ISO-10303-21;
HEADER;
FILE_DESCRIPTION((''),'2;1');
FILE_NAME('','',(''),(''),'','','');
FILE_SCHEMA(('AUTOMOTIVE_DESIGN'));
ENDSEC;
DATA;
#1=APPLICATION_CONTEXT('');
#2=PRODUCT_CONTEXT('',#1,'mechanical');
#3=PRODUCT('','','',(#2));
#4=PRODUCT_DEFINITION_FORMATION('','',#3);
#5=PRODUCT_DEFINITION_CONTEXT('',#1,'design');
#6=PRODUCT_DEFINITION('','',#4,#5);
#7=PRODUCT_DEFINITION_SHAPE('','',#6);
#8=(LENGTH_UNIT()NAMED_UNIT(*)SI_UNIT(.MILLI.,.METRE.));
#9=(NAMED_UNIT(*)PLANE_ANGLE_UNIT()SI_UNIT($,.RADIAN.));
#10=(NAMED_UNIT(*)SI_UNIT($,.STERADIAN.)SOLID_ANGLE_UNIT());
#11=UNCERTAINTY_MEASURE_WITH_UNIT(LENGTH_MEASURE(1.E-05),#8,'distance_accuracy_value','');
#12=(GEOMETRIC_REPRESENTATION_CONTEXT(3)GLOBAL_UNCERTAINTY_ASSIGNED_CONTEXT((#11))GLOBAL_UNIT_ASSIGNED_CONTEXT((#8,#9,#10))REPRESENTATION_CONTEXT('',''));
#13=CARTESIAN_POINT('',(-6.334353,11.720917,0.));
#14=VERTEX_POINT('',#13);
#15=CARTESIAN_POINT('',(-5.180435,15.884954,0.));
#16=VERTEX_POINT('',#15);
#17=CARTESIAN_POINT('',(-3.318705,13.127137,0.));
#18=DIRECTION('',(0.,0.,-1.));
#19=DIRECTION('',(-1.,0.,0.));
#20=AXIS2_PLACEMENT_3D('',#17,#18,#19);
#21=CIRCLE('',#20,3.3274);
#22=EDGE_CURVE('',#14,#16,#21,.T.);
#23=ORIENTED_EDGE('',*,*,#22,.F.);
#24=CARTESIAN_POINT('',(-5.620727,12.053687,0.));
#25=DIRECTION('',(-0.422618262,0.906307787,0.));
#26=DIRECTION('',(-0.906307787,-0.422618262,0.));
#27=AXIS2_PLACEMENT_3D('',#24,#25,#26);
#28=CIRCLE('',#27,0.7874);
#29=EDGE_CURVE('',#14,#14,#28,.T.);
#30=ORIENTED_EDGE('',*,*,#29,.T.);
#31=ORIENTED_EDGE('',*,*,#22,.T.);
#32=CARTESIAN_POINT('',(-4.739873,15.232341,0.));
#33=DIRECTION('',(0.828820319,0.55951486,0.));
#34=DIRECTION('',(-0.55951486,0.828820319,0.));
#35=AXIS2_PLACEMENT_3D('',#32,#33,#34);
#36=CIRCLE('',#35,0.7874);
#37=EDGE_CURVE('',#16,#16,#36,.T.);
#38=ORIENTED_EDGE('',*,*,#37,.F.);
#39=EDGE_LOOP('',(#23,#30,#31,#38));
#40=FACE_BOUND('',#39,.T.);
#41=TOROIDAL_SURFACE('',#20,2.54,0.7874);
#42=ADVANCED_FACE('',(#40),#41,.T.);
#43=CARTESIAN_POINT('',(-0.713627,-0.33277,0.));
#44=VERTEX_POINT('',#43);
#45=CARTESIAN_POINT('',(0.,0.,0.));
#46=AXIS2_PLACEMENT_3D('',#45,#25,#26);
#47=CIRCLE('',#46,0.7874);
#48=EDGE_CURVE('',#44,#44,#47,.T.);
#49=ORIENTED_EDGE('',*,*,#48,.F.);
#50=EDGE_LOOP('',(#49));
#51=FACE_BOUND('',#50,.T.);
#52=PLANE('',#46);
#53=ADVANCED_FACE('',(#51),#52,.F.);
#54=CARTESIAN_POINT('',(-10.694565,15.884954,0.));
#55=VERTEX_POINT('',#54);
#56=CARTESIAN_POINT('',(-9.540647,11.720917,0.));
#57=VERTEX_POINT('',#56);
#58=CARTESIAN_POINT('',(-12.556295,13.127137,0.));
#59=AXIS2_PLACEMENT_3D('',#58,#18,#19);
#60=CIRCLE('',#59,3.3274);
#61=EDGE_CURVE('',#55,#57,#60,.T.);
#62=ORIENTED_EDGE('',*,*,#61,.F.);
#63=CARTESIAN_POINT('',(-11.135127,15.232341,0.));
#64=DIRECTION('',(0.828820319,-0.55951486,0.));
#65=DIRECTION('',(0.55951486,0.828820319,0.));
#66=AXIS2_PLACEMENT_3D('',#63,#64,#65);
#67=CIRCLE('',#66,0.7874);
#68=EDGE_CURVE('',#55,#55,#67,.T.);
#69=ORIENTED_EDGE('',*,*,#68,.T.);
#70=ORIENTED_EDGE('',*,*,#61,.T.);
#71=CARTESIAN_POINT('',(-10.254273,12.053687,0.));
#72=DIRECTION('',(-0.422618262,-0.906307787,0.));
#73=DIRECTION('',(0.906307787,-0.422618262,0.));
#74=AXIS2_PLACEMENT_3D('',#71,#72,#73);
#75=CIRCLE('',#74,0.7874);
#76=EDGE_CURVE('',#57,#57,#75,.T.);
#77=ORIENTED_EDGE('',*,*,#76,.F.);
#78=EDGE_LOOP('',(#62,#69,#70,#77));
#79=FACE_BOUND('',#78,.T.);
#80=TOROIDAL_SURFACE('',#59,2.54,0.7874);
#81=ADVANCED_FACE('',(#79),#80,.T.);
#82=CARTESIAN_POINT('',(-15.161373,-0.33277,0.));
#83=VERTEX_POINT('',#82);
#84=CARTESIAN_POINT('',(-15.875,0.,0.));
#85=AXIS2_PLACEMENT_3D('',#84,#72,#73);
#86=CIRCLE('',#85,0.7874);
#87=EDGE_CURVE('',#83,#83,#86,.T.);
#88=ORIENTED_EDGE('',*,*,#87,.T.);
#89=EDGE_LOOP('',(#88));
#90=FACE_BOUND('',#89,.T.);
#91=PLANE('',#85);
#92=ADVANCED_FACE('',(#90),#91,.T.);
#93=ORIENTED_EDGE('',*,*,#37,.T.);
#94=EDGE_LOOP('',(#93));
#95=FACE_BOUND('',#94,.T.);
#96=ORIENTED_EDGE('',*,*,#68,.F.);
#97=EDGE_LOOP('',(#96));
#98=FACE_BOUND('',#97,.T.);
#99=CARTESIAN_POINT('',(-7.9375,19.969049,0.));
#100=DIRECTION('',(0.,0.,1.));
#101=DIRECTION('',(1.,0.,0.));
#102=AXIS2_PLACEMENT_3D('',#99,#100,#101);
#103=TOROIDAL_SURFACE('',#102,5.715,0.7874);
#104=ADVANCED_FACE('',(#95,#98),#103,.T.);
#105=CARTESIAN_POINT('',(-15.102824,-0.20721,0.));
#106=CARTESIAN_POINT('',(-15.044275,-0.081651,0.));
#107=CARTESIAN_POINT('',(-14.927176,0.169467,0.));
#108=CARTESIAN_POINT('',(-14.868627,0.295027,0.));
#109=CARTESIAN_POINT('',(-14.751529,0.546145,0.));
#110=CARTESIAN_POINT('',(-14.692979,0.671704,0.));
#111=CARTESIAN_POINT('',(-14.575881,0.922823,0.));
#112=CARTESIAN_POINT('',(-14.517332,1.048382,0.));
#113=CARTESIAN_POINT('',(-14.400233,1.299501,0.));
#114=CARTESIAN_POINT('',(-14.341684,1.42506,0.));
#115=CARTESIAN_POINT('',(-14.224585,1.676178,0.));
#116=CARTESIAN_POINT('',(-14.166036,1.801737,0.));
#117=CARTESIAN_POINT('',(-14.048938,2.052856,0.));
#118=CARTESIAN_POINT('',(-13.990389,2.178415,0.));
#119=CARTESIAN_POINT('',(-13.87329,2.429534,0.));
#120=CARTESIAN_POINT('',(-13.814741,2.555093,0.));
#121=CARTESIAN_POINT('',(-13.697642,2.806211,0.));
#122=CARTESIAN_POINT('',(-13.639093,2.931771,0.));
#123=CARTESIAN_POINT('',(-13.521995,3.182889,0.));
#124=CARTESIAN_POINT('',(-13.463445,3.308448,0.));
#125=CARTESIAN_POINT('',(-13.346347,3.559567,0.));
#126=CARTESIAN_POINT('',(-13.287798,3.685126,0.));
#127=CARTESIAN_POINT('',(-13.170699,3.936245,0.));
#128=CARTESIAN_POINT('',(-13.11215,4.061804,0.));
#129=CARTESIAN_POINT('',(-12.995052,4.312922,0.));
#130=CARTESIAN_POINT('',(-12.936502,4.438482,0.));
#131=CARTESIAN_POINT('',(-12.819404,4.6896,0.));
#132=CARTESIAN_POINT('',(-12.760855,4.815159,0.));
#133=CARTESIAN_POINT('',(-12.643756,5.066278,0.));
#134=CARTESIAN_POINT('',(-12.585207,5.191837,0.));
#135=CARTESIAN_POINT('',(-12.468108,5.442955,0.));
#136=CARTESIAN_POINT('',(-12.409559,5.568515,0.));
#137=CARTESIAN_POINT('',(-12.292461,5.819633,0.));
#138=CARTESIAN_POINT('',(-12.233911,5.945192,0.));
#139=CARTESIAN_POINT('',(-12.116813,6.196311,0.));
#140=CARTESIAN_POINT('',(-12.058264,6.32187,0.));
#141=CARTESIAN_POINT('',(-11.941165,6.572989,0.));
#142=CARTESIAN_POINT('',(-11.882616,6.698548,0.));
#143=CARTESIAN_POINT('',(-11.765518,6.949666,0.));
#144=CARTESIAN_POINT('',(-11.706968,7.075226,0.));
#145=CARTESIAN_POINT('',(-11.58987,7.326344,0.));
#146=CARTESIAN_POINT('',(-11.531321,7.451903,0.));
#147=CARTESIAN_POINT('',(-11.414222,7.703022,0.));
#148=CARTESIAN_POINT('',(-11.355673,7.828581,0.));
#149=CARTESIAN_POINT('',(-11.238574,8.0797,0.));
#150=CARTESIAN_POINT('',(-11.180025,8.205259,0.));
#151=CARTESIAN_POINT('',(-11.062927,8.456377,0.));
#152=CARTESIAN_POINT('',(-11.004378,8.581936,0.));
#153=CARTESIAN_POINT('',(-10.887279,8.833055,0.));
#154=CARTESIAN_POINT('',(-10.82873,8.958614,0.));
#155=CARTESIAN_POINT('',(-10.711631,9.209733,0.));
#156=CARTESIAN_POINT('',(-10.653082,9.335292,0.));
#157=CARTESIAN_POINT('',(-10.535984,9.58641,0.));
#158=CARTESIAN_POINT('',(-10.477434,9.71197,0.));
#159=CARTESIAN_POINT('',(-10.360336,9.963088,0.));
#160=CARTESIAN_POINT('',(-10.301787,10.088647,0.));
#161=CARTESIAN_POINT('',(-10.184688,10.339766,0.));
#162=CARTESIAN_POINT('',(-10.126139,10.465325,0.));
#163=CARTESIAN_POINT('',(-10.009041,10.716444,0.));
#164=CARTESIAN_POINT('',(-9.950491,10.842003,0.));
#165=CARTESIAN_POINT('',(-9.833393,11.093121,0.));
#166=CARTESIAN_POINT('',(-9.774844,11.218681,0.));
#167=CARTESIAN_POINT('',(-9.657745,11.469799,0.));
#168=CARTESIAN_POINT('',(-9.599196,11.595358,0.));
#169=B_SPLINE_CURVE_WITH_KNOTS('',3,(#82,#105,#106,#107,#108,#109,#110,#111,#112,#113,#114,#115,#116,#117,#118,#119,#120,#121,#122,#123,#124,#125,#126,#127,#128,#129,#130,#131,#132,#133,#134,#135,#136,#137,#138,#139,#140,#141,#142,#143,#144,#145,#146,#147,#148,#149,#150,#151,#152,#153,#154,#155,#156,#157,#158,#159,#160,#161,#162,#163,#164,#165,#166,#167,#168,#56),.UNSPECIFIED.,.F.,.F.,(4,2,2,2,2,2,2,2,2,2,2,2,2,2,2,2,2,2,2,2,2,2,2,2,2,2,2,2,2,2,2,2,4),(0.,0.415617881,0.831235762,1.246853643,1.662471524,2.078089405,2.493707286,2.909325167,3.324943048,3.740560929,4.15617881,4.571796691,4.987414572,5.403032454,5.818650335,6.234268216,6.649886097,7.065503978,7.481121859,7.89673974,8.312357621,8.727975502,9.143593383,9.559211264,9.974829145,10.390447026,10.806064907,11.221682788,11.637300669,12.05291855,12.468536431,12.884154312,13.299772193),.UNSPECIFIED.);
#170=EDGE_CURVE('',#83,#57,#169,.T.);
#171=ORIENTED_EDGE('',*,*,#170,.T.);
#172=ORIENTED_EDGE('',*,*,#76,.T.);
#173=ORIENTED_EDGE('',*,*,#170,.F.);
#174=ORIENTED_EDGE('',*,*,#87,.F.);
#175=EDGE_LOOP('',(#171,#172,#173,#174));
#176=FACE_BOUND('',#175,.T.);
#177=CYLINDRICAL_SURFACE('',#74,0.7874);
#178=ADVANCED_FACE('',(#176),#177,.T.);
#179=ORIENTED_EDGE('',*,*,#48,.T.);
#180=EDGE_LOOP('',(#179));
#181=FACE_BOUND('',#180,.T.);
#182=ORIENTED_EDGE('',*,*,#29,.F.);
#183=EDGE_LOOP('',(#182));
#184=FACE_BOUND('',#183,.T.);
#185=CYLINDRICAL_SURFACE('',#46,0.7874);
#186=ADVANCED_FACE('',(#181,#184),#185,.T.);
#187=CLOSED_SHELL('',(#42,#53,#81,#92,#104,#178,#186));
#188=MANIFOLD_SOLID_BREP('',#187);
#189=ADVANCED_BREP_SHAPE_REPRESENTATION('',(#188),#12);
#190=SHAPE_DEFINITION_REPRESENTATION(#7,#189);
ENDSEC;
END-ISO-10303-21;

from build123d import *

# Parameters (mm, degrees)
SKETCH3_R = 0.7874


with BuildPart() as part:
    # Sweep1: sweep along a path in Sketch1
    with BuildLine(Plane.XY) as sweep1_path:
        Line((0, 0), (-5.620726606, 12.053687105))
        ThreePointArc((-5.620726606, 12.053687105), (-5.766457952, 13.805447622), (-4.739872572, 15.232341099))
        ThreePointArc((-4.739872572, 15.232341099), (-7.9375, 25.684049221), (-11.135127428, 15.232341099))
        ThreePointArc((-11.135127428, 15.232341099), (-10.108542048, 13.805447622), (-10.254273394, 12.053687105))
        Line((-10.254273394, 12.053687105), (-15.875, 0))
    # Sketch3 → Sweep1 (sweep)
    with BuildSketch(Plane(origin=(0, 0, 0), x_dir=(0.9063077870366525, 0.422618261740694, 0), z_dir=(-0.422618261740694, 0.9063077870366525, 0))):
        Circle(SKETCH3_R)
    sweep(path=sweep1_path.line)


solid = part.part
